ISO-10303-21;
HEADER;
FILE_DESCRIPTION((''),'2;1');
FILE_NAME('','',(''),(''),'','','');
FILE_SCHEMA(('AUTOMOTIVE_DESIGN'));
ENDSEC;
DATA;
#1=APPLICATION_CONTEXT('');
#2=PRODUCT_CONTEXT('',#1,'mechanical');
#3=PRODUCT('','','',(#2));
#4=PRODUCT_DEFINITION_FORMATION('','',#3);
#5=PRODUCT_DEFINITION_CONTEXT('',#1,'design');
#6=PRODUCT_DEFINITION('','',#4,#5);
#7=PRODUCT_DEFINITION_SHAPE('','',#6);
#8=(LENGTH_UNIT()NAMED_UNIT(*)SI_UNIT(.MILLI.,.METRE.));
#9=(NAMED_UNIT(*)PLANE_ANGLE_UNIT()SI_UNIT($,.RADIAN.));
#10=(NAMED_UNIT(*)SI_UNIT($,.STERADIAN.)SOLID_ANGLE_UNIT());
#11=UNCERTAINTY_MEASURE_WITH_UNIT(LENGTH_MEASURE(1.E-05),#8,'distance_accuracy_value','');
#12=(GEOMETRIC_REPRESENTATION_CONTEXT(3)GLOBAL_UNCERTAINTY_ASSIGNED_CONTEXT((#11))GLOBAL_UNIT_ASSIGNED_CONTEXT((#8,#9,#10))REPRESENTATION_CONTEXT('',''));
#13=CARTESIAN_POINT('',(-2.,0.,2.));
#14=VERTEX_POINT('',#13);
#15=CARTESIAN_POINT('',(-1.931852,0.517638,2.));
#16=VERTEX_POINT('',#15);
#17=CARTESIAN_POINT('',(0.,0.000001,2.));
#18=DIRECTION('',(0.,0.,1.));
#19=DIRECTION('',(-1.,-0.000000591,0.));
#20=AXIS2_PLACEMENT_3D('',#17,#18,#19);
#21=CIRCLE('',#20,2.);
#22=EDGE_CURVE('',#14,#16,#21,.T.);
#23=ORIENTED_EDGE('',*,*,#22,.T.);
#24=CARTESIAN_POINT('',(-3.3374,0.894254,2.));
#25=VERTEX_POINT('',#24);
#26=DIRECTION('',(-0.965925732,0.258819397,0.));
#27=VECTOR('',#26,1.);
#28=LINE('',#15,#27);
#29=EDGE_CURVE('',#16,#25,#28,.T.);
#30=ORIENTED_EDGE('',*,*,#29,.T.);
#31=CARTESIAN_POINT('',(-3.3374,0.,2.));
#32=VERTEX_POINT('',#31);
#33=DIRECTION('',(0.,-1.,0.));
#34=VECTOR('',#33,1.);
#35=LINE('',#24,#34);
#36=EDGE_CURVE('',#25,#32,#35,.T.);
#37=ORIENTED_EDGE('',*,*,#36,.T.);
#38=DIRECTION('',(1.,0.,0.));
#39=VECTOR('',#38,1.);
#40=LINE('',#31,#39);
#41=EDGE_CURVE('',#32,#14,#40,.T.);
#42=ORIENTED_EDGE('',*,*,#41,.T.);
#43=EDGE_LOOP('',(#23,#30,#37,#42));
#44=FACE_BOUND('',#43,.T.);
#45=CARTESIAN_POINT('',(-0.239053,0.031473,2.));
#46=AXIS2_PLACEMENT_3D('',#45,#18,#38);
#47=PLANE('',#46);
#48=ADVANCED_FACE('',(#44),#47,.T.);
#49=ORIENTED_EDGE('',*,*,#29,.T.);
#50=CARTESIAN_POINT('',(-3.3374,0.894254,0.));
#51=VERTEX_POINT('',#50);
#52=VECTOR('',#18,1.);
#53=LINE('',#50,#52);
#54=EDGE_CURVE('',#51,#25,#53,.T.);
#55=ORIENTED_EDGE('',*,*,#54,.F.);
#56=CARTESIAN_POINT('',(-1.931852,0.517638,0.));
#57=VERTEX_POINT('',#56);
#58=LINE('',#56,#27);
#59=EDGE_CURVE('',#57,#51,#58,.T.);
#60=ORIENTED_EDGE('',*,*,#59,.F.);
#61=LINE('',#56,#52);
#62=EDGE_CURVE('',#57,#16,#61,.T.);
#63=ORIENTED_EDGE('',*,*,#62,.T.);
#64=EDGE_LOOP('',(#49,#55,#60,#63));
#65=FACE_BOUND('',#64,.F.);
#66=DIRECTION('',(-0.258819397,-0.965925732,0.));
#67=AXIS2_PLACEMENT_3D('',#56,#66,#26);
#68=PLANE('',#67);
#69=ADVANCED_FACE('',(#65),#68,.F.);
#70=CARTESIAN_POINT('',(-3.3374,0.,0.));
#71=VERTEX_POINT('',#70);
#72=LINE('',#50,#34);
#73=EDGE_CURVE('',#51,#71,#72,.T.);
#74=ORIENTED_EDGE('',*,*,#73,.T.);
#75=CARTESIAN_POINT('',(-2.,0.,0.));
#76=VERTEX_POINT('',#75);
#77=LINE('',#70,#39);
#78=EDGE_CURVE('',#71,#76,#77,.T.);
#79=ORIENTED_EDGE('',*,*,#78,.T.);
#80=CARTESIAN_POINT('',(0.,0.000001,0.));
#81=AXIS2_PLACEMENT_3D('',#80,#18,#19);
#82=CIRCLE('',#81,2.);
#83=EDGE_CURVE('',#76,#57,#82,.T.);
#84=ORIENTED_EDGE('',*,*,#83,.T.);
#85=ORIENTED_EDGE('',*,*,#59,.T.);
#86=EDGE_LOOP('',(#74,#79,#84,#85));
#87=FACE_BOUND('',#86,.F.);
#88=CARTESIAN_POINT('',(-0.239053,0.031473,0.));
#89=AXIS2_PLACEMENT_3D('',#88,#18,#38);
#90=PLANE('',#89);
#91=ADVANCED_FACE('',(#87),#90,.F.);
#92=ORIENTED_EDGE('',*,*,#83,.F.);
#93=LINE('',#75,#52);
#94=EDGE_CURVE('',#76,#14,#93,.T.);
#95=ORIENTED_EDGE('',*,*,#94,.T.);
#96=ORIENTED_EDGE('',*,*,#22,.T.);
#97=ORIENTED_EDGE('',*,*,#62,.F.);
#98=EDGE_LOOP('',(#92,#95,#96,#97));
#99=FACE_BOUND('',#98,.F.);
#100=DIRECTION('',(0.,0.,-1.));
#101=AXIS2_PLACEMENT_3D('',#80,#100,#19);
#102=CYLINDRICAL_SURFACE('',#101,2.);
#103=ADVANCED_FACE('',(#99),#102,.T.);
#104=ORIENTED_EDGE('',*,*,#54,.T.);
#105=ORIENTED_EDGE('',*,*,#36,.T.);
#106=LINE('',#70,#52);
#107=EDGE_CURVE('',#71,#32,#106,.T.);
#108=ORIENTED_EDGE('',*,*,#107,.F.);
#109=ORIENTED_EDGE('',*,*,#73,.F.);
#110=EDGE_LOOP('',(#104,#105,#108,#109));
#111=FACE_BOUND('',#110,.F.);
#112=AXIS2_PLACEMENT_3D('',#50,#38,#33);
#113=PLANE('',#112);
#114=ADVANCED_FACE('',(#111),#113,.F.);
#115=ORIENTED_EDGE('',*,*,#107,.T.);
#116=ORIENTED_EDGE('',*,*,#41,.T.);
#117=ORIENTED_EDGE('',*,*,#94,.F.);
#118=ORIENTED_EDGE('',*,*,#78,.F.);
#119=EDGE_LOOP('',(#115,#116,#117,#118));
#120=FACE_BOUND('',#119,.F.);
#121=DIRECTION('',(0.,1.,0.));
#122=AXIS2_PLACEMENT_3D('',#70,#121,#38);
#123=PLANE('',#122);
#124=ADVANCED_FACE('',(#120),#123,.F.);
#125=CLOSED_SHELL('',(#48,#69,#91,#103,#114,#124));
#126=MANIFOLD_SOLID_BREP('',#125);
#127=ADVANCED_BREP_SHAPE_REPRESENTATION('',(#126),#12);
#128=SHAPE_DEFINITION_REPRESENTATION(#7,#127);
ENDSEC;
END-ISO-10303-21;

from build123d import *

# Parameters (mm, degrees)
F1_DEPTH = 2


with BuildPart() as f1:
    # F0 (on Top) → F1 (new body)
    with BuildSketch(Plane.XY):
        with BuildLine():
            Line((-1.931852, 0.517638), (0, 0))
            Line((0, 0), (-2, 0))
            ThreePointArc((-2, 0), (1.98289, -0.261052), (-1.931852, 0.517638))
        make_face()
        Polygon((-2, 0), (0, 0), (-1.931852, 0.517638), (-3.3374, 0.894254), (-3.3374, 0), align=None)
    extrude(amount=F1_DEPTH)


solid = f1.part
